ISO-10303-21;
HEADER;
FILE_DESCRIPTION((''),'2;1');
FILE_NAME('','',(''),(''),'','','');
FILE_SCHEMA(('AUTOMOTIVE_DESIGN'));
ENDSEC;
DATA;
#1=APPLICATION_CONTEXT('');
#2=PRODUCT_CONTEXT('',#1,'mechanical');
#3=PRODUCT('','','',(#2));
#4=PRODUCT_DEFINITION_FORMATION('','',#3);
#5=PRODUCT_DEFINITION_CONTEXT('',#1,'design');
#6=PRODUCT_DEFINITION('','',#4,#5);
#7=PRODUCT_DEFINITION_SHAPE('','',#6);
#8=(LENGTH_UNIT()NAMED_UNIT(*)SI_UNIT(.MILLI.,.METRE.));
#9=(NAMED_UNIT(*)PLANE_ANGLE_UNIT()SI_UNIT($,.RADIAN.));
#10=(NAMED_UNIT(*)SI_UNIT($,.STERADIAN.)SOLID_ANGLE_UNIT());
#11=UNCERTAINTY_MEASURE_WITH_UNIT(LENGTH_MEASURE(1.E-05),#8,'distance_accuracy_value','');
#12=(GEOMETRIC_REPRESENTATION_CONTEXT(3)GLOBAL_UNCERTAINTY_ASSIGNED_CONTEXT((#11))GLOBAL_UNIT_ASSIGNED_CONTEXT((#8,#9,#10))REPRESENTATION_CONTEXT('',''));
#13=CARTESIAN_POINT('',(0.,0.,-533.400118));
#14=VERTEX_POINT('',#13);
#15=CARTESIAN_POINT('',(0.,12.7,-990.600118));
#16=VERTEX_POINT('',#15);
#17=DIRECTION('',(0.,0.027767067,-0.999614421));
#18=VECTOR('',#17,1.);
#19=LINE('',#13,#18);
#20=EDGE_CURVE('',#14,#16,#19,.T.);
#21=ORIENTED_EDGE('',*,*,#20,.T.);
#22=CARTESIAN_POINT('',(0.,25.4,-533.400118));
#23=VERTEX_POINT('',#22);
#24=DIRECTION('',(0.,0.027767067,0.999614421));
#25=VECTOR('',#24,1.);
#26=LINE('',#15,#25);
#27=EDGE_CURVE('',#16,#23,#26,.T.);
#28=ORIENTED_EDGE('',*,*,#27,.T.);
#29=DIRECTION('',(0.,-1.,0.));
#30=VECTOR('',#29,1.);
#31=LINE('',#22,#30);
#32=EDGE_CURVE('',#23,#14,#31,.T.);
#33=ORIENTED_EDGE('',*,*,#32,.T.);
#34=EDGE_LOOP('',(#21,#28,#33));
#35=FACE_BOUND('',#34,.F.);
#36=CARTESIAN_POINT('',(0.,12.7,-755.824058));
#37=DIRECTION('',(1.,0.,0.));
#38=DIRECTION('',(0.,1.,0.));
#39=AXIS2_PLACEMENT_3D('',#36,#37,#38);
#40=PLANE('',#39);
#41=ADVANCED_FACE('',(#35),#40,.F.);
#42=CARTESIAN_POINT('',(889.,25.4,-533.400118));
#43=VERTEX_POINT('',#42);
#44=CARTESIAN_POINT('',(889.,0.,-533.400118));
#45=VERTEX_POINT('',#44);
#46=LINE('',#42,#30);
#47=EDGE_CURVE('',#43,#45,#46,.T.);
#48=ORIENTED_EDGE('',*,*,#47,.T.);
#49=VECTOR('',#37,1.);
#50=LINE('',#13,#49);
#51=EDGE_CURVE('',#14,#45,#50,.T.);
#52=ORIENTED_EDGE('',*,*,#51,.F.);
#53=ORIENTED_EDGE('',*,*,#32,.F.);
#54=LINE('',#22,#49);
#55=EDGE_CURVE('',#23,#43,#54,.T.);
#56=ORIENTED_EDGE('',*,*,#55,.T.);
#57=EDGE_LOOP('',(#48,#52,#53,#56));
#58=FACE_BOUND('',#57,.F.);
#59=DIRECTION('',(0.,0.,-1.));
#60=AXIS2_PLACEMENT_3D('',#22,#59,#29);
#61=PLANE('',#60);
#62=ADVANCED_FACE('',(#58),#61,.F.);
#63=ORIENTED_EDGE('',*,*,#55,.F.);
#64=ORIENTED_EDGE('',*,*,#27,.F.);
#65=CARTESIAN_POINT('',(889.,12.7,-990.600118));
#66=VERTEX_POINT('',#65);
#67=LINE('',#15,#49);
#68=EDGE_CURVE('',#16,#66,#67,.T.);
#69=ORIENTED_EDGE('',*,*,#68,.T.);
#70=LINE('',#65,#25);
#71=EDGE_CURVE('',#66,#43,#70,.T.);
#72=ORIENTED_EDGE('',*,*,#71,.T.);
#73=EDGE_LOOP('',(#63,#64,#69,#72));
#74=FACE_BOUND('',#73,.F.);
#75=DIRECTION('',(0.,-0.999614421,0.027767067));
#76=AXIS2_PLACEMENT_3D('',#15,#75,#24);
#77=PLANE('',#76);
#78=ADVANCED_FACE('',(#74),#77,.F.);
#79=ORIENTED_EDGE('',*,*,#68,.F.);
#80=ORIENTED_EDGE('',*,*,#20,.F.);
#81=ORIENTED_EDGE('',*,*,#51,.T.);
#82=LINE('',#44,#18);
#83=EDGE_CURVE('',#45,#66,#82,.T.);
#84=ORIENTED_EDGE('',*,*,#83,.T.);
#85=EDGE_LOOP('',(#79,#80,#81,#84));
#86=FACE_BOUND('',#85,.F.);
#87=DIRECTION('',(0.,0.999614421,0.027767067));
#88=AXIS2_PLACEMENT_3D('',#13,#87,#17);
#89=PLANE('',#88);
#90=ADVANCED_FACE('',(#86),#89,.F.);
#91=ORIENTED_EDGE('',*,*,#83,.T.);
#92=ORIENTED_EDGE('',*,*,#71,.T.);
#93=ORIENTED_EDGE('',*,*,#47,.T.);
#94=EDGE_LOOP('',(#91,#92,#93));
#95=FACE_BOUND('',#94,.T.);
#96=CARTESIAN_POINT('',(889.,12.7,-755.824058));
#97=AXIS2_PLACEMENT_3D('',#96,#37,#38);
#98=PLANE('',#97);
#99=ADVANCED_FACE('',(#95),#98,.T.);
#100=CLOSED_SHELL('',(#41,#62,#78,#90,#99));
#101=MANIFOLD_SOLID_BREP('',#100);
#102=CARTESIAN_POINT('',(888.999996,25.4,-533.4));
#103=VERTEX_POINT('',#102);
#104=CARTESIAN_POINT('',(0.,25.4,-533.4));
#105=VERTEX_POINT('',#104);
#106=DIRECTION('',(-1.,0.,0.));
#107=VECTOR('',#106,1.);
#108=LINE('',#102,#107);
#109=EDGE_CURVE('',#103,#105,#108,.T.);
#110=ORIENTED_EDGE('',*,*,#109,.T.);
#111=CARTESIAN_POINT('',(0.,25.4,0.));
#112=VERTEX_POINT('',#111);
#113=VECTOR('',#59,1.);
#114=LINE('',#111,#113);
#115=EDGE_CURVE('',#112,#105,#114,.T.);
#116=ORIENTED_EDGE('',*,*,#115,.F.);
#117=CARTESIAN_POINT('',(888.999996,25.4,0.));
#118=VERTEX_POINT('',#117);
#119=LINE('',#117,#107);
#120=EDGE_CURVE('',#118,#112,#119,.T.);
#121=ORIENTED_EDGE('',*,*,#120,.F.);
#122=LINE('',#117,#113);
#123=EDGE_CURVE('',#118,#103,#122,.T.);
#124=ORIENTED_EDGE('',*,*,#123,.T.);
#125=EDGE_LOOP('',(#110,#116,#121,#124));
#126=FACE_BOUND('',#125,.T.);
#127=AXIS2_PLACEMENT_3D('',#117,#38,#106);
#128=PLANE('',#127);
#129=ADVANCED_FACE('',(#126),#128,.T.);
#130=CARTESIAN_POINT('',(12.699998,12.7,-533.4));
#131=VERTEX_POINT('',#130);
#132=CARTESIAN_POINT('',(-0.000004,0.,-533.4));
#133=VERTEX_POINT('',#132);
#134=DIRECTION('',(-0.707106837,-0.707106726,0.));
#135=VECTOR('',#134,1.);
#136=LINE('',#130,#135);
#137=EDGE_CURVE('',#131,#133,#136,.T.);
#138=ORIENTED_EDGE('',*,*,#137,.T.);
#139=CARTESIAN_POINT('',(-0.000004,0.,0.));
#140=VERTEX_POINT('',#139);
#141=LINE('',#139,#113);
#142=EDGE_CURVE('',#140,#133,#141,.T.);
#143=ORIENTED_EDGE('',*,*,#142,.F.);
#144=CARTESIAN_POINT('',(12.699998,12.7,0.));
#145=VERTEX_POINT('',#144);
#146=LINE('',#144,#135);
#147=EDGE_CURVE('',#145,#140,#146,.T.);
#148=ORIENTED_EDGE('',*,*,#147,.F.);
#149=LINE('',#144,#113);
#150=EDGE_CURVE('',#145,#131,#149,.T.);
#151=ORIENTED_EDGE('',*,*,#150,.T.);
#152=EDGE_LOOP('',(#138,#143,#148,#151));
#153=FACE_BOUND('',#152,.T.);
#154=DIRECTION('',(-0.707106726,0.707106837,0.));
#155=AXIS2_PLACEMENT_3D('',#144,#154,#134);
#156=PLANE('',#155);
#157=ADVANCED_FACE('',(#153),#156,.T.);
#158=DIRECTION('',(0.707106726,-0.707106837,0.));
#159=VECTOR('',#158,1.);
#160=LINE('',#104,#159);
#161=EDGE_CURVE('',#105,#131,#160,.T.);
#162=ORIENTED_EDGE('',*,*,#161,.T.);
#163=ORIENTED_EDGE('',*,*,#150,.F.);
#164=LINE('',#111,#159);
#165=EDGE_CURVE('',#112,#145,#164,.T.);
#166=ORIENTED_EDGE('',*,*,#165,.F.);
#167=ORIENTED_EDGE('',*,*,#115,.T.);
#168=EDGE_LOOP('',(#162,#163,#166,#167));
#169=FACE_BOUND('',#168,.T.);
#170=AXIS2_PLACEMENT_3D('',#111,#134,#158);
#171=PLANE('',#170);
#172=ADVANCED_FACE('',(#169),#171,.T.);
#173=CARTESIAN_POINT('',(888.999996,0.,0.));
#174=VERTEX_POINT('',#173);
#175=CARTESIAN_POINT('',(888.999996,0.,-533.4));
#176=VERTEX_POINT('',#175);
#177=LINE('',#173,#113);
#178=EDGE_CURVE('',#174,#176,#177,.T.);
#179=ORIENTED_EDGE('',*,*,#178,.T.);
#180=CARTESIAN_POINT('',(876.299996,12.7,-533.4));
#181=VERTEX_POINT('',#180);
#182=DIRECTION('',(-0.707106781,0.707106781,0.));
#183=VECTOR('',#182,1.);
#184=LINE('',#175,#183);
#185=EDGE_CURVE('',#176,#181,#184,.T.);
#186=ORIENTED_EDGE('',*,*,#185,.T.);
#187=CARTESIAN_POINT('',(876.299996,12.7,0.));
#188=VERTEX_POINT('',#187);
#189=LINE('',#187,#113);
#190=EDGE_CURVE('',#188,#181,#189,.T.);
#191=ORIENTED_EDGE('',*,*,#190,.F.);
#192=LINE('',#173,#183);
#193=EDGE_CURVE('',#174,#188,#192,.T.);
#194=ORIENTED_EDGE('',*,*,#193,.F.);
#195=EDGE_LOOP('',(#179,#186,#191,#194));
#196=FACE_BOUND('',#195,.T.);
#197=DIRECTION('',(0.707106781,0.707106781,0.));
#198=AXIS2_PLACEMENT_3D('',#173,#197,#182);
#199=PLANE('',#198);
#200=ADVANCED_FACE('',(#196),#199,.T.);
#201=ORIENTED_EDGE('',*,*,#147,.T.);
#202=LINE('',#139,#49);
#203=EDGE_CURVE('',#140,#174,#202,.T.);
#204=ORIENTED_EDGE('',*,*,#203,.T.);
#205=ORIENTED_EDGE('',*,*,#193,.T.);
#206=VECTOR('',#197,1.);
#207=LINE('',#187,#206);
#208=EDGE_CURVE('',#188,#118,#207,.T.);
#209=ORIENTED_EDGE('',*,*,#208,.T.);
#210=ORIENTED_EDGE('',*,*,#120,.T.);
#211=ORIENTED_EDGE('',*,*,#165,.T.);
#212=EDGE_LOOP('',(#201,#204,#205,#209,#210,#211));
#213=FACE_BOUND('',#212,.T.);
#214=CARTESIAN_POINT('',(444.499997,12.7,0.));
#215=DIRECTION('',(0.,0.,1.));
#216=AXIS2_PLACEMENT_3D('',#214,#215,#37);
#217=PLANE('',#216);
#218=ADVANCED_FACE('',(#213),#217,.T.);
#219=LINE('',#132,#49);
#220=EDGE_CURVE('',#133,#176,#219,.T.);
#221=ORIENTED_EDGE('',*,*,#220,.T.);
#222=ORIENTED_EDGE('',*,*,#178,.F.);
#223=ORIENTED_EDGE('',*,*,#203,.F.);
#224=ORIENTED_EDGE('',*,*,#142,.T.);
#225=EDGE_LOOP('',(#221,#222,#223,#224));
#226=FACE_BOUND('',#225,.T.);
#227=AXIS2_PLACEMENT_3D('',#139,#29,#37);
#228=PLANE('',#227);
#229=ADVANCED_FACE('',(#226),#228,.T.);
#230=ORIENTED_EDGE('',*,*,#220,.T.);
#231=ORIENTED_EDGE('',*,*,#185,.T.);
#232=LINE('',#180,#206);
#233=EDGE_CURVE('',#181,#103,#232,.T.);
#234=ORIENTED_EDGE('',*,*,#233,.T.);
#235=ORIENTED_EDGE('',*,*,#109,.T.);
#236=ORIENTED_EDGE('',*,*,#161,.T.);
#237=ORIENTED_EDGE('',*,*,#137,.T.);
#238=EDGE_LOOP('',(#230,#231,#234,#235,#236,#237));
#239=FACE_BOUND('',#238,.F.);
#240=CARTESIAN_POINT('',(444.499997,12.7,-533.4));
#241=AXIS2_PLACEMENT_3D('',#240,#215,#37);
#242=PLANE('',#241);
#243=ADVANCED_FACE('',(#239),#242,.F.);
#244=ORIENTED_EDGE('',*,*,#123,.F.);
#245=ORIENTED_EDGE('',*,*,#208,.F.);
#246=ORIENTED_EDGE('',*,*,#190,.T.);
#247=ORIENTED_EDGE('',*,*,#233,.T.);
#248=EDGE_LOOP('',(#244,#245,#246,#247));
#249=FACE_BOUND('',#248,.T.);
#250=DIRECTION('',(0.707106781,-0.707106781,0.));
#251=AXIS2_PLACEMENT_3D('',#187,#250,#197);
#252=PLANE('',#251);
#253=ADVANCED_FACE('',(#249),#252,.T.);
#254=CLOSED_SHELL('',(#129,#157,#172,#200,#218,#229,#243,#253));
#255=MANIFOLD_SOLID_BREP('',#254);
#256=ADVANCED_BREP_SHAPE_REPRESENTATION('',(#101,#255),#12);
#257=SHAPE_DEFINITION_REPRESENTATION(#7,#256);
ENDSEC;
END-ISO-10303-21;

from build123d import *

# Parameters (mm, degrees)
F1_DEPTH = 533.4
F3_DEPTH = 889


with BuildPart() as f1:
    # F0 (on Top) → F1 (new body)
    with BuildSketch(Plane.XY):
        Polygon((127, 25.4), (0, 25.4), (12.699998, 12.7), (-4e-06, 0), (888.999996, 0), (876.299996, 12.7), (888.999996, 25.4), align=None)
    extrude(amount=-F1_DEPTH)


with BuildPart() as f3:
    # F2 (on Right) → F3 (new body)
    with BuildSketch(Plane.YZ):
        Polygon((25.4, -533.400118), (0, -533.400118), (12.7, -990.600118), align=None)
    extrude(amount=F3_DEPTH)


solid = Compound([f1.part, f3.part])
